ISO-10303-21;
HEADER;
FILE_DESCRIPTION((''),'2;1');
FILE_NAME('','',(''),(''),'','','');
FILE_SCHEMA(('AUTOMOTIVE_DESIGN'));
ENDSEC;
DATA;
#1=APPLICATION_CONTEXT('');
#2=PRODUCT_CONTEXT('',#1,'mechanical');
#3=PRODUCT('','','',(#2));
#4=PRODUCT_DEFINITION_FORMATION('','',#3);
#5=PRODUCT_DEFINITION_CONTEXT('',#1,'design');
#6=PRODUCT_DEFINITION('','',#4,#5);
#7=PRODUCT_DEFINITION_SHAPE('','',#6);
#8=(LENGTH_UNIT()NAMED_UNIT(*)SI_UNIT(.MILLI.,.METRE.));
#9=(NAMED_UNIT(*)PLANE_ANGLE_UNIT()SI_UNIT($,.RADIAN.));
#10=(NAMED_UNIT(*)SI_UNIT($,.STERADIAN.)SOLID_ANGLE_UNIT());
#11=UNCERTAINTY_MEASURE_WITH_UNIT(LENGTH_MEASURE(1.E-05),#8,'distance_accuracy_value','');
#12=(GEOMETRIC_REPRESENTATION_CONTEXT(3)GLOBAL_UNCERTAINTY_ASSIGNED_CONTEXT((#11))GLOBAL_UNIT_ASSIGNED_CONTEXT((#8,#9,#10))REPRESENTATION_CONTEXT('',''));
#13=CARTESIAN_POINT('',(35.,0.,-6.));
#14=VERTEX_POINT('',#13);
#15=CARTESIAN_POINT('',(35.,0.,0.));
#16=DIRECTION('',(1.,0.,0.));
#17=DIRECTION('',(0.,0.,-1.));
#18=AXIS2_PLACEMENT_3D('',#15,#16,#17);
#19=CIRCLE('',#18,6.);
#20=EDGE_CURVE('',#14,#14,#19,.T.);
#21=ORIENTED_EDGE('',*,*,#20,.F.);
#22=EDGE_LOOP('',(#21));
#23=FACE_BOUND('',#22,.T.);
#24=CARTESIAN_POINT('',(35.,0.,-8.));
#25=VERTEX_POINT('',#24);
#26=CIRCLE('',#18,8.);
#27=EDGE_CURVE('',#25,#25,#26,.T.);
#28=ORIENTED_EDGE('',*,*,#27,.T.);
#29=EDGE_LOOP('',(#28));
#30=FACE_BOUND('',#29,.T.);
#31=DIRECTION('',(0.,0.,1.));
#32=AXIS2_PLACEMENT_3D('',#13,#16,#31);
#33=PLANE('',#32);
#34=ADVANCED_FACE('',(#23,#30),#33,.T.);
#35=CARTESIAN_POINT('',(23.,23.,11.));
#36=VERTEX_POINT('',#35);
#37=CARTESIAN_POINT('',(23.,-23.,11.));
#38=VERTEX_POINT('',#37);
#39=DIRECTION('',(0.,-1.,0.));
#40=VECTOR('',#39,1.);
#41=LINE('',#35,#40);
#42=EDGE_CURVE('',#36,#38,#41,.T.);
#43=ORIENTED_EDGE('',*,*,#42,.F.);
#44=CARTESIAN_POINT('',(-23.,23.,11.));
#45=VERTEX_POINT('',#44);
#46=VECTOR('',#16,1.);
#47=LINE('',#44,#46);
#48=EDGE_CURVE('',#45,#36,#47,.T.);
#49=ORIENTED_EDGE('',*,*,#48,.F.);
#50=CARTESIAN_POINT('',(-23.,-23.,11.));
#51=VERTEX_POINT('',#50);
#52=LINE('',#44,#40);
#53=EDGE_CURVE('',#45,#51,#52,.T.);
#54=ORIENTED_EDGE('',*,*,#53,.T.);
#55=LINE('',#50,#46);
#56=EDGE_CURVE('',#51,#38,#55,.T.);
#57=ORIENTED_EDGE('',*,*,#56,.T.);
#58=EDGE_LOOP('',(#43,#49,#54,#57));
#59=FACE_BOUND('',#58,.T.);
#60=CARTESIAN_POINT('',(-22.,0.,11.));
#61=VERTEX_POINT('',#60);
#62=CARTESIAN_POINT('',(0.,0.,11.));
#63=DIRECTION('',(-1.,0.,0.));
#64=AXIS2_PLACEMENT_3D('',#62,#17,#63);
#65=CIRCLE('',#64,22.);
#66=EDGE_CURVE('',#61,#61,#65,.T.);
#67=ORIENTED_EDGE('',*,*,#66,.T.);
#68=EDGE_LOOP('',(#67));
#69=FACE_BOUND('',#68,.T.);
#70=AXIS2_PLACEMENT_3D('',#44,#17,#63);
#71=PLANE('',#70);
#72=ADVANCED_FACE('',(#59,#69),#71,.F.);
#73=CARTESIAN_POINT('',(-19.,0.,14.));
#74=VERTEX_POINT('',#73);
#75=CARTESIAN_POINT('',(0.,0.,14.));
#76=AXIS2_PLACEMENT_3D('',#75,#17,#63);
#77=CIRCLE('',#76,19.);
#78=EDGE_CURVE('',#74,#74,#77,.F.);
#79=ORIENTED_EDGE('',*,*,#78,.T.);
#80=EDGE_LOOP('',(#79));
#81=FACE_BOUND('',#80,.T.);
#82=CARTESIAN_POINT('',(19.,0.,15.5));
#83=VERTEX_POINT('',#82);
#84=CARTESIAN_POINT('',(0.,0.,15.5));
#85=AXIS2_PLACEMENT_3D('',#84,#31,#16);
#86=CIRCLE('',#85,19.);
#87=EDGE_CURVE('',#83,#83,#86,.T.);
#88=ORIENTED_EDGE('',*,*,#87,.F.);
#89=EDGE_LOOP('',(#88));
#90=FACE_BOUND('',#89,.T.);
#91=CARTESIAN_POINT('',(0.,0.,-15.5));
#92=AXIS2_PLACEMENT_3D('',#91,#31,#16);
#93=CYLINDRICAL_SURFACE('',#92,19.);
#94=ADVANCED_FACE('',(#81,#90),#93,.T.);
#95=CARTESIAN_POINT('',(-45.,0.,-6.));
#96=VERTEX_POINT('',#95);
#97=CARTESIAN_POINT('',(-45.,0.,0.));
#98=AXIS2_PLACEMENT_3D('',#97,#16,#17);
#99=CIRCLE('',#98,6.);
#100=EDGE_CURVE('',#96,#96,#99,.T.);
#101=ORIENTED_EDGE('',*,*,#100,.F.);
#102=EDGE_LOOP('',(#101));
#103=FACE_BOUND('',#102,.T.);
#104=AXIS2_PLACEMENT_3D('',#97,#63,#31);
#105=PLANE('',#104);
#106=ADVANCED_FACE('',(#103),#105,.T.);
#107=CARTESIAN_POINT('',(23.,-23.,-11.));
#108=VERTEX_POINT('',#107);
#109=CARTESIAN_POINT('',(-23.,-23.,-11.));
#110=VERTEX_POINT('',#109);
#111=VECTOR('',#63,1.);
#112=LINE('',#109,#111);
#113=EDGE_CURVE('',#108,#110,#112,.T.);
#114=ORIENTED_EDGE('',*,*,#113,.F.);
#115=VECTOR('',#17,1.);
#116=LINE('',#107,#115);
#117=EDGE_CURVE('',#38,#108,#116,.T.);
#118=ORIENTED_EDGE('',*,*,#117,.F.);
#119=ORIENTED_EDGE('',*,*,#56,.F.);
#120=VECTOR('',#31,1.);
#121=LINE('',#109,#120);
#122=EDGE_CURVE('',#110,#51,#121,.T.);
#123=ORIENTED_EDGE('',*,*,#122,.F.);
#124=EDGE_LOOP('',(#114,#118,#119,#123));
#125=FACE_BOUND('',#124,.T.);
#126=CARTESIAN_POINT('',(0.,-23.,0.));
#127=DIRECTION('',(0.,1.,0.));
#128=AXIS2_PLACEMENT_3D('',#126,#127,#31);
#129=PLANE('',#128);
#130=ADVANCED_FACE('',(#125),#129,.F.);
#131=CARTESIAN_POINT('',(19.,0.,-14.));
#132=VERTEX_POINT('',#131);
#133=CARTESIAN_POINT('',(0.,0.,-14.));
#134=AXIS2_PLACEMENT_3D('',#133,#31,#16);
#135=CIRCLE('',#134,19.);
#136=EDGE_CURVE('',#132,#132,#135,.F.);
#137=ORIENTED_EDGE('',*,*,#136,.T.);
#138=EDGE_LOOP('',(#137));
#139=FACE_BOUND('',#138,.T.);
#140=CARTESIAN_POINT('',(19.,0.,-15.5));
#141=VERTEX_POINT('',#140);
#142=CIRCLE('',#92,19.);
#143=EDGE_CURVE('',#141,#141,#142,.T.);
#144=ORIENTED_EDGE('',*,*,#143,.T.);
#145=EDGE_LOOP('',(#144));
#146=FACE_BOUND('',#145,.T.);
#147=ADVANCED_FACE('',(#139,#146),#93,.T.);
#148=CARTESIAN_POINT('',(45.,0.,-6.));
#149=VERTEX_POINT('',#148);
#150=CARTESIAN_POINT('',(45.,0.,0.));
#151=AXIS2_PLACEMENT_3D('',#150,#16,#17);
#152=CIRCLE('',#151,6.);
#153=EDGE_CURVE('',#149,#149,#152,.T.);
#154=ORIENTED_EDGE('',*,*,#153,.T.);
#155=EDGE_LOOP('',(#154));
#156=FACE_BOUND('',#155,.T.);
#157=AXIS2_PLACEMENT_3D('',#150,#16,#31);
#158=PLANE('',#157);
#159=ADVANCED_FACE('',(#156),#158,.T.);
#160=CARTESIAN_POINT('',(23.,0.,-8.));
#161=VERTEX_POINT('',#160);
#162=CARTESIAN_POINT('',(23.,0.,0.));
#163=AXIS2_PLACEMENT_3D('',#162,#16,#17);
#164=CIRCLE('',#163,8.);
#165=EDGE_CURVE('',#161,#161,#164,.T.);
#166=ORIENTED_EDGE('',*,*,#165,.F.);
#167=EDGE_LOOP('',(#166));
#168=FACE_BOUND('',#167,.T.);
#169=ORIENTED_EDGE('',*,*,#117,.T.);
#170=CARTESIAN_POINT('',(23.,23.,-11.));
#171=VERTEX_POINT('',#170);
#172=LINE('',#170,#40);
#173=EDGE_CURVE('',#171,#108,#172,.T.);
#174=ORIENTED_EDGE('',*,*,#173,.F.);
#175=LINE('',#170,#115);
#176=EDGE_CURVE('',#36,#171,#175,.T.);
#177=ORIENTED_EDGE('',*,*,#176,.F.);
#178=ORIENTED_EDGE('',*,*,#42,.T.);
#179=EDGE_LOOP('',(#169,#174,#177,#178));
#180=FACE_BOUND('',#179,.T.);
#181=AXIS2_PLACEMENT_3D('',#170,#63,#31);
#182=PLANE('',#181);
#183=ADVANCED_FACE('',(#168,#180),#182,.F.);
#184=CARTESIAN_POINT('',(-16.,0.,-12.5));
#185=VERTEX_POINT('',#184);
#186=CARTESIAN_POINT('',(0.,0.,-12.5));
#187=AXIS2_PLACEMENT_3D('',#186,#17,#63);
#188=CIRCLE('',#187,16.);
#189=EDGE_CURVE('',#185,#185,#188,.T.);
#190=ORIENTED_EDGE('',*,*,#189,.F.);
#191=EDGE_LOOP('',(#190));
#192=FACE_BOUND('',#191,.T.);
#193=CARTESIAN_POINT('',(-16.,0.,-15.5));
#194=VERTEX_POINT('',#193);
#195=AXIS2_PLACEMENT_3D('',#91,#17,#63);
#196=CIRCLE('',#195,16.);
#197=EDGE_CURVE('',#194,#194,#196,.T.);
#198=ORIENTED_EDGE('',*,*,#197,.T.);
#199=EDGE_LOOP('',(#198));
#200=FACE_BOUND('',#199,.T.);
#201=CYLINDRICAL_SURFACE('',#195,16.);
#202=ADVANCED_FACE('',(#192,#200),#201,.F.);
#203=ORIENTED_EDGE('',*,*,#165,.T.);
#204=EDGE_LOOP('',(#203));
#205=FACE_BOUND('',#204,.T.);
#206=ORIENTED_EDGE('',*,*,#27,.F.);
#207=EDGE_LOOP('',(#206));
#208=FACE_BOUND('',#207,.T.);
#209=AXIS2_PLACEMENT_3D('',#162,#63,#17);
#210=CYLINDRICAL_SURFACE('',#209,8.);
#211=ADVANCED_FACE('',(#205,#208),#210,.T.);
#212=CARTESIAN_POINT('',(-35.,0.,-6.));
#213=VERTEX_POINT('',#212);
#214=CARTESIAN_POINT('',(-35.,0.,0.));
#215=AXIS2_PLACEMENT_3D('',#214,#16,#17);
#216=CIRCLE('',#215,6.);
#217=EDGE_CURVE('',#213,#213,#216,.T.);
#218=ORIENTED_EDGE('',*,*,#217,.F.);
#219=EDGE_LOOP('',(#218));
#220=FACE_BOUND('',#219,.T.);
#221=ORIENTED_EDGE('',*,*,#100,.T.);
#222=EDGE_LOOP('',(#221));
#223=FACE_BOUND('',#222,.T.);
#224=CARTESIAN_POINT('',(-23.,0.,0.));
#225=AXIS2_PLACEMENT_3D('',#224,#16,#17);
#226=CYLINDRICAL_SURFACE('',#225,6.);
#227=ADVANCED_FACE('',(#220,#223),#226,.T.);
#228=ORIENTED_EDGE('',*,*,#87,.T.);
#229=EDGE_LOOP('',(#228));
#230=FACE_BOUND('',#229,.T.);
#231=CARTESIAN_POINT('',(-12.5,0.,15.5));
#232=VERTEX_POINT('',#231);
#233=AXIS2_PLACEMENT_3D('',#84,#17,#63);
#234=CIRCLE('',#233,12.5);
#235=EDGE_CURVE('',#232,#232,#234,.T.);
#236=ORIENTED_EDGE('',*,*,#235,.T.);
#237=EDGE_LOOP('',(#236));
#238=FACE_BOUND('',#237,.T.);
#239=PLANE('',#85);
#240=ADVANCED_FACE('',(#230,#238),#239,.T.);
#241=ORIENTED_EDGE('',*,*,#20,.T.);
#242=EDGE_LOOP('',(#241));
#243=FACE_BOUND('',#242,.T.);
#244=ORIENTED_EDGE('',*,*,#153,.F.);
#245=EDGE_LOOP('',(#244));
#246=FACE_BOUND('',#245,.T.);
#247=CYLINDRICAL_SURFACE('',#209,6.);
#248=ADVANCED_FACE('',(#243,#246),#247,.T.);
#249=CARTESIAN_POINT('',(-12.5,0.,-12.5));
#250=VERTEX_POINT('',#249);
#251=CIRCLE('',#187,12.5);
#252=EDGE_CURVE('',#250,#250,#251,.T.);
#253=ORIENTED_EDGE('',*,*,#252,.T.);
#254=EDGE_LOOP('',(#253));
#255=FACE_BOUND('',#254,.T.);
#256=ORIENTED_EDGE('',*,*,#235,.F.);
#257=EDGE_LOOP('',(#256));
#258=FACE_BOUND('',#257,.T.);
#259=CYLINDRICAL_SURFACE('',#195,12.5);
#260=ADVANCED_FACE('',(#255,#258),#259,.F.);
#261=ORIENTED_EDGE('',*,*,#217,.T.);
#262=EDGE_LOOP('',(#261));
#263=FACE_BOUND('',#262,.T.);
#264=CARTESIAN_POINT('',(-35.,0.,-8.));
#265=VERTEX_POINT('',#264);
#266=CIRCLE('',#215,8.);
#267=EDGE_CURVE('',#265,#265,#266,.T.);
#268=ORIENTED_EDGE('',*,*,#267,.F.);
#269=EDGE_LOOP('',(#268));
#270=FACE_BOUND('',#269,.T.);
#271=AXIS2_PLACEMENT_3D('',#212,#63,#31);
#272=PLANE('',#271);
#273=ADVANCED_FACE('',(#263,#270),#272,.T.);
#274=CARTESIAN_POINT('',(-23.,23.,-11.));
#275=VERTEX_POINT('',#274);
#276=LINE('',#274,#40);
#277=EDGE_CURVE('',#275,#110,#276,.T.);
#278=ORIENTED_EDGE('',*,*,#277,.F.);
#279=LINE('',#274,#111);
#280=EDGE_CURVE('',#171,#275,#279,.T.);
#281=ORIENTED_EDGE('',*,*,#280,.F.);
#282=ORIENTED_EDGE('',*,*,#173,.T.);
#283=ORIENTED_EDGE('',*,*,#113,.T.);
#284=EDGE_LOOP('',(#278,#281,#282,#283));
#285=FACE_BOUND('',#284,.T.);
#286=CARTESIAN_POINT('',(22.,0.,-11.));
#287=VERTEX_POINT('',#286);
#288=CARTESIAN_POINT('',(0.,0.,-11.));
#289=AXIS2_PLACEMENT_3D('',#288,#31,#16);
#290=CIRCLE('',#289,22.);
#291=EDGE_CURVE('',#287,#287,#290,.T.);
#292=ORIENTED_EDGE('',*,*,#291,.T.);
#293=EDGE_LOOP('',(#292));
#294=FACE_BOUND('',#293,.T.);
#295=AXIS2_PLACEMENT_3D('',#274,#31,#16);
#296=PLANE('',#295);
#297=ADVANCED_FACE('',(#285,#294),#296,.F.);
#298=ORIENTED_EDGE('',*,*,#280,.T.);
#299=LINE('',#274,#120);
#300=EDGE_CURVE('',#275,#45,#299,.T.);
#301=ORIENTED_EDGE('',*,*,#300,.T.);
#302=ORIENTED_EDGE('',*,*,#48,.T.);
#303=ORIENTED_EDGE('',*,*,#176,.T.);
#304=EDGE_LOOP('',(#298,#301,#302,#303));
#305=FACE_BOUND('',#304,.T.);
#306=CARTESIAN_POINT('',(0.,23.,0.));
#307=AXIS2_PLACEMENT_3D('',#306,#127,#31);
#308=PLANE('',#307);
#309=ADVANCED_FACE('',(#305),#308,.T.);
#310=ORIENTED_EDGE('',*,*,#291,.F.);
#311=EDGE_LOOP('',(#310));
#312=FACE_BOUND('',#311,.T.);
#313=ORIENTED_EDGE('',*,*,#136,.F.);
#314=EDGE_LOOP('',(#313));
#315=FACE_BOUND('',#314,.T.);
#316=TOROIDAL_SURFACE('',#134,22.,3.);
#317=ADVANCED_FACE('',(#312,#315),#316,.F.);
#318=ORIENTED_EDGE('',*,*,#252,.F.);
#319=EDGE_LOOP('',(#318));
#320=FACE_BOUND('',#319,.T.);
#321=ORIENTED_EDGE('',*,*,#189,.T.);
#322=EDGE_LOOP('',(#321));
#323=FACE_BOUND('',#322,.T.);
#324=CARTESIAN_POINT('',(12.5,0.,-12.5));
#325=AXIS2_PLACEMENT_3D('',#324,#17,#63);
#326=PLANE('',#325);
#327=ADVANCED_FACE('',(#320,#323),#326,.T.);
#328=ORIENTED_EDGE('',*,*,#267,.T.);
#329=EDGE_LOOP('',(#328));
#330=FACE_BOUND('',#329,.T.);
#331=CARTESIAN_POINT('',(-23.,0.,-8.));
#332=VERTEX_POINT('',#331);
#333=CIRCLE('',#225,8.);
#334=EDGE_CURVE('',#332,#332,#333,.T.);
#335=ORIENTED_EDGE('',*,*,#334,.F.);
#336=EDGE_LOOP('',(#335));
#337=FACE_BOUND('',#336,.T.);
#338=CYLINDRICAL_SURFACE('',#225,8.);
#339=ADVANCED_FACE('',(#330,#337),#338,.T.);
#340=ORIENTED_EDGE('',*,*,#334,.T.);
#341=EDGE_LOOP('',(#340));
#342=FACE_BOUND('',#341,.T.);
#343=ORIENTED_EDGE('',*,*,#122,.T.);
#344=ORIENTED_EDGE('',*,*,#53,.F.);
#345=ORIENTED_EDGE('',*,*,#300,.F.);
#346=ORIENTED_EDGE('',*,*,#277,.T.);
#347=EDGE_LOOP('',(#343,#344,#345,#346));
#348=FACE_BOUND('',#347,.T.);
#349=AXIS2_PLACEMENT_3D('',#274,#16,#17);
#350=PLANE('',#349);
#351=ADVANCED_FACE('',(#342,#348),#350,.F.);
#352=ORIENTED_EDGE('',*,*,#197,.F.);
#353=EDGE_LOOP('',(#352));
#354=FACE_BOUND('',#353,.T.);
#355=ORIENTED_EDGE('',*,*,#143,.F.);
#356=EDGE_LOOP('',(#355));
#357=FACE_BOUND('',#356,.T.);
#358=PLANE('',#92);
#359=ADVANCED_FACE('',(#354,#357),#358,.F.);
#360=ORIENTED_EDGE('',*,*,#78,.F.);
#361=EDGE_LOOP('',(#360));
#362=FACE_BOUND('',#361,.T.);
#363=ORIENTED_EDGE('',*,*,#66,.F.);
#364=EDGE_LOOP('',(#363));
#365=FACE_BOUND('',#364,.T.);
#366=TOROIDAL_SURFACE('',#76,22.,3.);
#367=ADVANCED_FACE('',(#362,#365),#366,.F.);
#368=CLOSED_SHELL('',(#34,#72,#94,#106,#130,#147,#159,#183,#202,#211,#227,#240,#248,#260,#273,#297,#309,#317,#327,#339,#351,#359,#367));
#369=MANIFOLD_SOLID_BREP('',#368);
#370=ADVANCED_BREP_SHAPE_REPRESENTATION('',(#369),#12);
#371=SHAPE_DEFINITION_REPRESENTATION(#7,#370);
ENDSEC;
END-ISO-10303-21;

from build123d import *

# Parameters (mm, degrees)
SKETCH1_W                = 46
SKETCH1_H                = 22
BOSS_EXTRUDE1_DEPTH      = 23
BOSS_EXTRUDE2_DEPTH      = 4.5
BOSS_EXTRUDE2_DEPTH_BACK = 26.5
SKETCH2_R                = 19
FILLET1_R                = 3


with BuildPart() as part:
    # Sketch1 → Boss-Extrude1 (new, symmetric)
    with BuildSketch(Plane(origin=(0, 0, 0), x_dir=(1, 0, 0), z_dir=(0, 1, 0))):
        Rectangle(SKETCH1_W, SKETCH1_H)
    extrude(amount=BOSS_EXTRUDE1_DEPTH, both=True)

    # Sketch2 → Boss-Extrude2 (add, two sides: drawn at the far end of the back side and taken through both)
    with BuildSketch(Plane.XY.offset(11).offset(-BOSS_EXTRUDE2_DEPTH_BACK)):
        Circle(SKETCH2_R)
    extrude(amount=BOSS_EXTRUDE2_DEPTH + BOSS_EXTRUDE2_DEPTH_BACK)

    # Sketch3 → Cut-Revolve1 (revolve, cut)
    with BuildSketch(Plane(origin=(0, 0, 0), x_dir=(1, 0, 0), z_dir=(0, 1, 0)), mode=Mode.PRIVATE) as cut_revolve1_sk:
        Polygon((0, 15.5), (0, -15.5), (12.5, -15.5), (12.5, 12.5), (16, 12.5), (16, 15.5), align=None)
    revolve(cut_revolve1_sk.sketch.rotate(Axis((0, 0, -15.5), (0, 0, 1)), 180), axis=Axis((0, 0, -15.5), (0, 0, 1)), mode=Mode.SUBTRACT)

    # Sketch4 → Revolve1 (revolve)
    with BuildSketch(Plane(origin=(0, 0, 0), x_dir=(1, 0, 0), z_dir=(0, 1, 0))):
        Polygon((-45, 0), (-45, 6), (-35, 6), (-35, 8), (-23, 8), (-23, 0), align=None)
    revolve1 = revolve(axis=Axis((-23, 0, 0), (-1, 0, 0)))

    # Mirror1: Revolve1 across plane
    add(revolve1.mirror(Plane(origin=(0, 0, 0), x_dir=(0, 0, 1), z_dir=(1, 0, 0))))

    # Fillet1
    fillet1_edges = [part.edges().sort_by_distance(p)[0] for p in [
        (-19, 0, -11),
        (-19, 0, 11),
    ]]
    fillet(fillet1_edges, radius=FILLET1_R)


solid = part.part
